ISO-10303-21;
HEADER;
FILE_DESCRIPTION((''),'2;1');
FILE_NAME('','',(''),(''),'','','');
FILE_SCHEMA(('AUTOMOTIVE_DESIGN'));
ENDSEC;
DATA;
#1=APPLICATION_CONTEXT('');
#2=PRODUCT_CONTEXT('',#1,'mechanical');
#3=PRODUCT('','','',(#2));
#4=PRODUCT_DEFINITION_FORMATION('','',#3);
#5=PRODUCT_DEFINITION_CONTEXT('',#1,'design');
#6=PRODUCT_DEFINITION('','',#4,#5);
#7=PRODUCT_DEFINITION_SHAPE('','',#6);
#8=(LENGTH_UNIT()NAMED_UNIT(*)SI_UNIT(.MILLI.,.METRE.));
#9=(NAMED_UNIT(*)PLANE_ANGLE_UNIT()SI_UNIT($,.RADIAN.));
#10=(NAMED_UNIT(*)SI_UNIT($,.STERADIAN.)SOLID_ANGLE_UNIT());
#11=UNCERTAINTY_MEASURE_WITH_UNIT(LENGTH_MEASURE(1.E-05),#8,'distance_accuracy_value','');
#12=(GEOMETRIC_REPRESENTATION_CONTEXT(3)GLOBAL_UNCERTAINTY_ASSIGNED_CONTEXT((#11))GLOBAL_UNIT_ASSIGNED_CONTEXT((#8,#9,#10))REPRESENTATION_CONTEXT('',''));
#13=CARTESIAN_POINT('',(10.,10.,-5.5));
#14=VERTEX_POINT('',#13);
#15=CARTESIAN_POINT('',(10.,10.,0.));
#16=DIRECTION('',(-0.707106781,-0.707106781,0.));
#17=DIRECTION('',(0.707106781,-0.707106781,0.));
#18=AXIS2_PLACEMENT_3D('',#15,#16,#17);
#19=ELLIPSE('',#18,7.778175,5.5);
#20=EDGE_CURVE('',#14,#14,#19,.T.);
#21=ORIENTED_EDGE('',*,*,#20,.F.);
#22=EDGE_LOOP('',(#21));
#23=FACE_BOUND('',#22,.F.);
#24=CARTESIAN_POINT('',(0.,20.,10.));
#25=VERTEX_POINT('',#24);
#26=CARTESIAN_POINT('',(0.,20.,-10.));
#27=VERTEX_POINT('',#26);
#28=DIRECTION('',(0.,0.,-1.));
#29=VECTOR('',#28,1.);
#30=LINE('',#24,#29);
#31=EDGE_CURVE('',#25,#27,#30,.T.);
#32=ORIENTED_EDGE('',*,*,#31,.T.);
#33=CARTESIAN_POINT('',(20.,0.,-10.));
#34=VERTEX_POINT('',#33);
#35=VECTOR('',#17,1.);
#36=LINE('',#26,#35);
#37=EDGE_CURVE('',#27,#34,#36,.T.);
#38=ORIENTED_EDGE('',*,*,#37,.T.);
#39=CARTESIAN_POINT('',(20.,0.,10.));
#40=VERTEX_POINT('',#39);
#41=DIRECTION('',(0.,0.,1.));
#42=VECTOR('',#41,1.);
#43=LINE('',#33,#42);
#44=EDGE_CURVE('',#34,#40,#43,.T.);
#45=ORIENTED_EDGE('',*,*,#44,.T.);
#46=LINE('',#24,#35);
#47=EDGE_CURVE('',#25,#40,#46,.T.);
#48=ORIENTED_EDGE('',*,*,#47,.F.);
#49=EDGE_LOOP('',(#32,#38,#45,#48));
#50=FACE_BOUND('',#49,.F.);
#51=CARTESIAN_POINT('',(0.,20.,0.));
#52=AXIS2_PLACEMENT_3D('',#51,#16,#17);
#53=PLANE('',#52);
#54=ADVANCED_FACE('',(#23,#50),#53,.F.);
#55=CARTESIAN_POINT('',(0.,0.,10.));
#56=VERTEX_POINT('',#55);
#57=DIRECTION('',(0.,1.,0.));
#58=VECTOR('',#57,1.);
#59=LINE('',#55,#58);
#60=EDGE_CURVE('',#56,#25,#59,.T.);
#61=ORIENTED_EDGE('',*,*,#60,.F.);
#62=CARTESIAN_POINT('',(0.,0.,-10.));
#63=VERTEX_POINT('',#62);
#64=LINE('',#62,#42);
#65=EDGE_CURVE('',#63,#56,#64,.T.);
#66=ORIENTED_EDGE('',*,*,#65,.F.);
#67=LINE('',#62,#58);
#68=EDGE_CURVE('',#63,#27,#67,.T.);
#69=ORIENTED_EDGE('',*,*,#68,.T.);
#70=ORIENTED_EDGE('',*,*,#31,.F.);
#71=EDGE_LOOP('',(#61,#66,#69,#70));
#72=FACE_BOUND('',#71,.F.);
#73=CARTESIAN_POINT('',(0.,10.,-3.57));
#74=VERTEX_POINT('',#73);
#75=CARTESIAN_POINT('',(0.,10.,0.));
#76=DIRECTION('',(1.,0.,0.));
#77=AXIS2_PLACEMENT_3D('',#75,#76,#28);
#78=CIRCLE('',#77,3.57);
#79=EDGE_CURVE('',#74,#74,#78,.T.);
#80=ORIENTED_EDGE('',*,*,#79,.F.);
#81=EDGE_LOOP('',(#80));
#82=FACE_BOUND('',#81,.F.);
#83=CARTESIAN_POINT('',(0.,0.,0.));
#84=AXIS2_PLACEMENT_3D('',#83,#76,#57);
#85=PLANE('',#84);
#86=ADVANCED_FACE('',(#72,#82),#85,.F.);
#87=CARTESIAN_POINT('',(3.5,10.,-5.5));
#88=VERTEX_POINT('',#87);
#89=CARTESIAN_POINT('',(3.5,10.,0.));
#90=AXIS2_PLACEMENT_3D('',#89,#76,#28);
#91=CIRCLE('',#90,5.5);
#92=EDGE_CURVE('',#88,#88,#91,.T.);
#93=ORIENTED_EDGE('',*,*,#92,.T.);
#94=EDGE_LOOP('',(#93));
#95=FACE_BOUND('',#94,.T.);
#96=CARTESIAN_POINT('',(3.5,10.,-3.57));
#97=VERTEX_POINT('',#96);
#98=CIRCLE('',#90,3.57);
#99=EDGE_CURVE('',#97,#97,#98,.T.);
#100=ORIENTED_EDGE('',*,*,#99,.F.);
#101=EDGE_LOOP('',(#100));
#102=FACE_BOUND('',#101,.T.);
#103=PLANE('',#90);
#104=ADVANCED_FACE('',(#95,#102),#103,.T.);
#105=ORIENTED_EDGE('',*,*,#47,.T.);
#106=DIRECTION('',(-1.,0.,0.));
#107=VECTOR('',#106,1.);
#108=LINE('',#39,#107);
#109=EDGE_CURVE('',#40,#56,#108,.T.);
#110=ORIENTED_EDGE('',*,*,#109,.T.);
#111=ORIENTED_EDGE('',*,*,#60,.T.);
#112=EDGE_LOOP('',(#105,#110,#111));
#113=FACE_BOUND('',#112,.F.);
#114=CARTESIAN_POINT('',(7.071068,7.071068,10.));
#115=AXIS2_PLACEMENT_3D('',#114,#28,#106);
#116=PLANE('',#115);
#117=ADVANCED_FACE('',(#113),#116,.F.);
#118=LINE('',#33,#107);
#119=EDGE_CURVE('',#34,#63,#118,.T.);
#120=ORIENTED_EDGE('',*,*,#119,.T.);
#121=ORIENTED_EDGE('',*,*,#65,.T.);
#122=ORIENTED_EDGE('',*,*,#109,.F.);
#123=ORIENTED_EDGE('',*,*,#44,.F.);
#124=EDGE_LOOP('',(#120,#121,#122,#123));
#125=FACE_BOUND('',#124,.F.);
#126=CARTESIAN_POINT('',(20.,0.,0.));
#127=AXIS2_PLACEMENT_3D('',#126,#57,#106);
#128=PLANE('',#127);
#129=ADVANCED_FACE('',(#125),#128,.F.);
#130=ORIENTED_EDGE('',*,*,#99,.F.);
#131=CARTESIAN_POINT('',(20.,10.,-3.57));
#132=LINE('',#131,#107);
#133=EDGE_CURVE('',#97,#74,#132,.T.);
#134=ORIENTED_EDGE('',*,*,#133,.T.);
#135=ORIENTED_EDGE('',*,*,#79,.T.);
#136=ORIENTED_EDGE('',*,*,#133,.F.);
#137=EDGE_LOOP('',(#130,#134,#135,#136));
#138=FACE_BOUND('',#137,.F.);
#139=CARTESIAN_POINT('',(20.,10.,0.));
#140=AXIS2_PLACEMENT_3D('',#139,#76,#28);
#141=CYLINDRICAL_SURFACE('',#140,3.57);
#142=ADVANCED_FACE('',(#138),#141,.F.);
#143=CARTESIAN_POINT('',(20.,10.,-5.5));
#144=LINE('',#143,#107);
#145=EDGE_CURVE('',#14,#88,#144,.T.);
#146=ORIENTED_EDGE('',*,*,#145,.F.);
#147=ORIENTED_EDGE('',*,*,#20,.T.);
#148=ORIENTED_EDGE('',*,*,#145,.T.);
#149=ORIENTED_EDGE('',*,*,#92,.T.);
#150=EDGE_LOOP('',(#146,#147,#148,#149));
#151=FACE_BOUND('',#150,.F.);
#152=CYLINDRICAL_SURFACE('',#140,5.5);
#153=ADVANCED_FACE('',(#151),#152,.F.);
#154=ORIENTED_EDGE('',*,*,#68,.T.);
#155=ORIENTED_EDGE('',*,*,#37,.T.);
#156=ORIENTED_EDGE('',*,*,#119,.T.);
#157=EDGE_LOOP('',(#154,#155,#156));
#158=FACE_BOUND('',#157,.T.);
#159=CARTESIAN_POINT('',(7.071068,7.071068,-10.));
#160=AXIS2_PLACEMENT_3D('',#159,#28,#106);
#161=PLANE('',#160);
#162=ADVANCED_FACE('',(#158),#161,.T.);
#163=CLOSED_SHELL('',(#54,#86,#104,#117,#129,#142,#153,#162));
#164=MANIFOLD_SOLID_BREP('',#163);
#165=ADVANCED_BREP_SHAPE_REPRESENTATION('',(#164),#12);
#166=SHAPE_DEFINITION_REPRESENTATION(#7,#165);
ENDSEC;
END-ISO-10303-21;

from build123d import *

# Parameters (mm, degrees)
BOSS_EXTRUDE1_DEPTH = 10
SKETCH2_R           = 3.57
CUT_EXTRUDE1_DEPTH  = 21
SKETCH3_R           = 5.5
CUT_EXTRUDE2_DEPTH  = 16.5


with BuildPart() as part:
    # Sketch1 → Boss-Extrude1 (new body, symmetric)
    with BuildSketch(Plane.XY):
        Polygon((0, 0), (0, 20), (20, 0), align=None)
    extrude(amount=BOSS_EXTRUDE1_DEPTH, both=True)

    # Sketch2 → Cut-Extrude1 (cut, through all)
    with BuildSketch(Plane(origin=(20, 0, 0), x_dir=(0, 0, -1), z_dir=(1, 0, 0))):
        with Locations((0, 10)):
            Circle(SKETCH2_R)
    extrude(amount=-CUT_EXTRUDE1_DEPTH, mode=Mode.SUBTRACT)

    # Sketch3 → Cut-Extrude2 (cut)
    with BuildSketch(Plane(origin=(20, 0, 0), x_dir=(0, 0, -1), z_dir=(1, 0, 0))):
        with Locations((0, 10)):
            Circle(SKETCH3_R)
    extrude(amount=-CUT_EXTRUDE2_DEPTH, mode=Mode.SUBTRACT)


solid = part.part
